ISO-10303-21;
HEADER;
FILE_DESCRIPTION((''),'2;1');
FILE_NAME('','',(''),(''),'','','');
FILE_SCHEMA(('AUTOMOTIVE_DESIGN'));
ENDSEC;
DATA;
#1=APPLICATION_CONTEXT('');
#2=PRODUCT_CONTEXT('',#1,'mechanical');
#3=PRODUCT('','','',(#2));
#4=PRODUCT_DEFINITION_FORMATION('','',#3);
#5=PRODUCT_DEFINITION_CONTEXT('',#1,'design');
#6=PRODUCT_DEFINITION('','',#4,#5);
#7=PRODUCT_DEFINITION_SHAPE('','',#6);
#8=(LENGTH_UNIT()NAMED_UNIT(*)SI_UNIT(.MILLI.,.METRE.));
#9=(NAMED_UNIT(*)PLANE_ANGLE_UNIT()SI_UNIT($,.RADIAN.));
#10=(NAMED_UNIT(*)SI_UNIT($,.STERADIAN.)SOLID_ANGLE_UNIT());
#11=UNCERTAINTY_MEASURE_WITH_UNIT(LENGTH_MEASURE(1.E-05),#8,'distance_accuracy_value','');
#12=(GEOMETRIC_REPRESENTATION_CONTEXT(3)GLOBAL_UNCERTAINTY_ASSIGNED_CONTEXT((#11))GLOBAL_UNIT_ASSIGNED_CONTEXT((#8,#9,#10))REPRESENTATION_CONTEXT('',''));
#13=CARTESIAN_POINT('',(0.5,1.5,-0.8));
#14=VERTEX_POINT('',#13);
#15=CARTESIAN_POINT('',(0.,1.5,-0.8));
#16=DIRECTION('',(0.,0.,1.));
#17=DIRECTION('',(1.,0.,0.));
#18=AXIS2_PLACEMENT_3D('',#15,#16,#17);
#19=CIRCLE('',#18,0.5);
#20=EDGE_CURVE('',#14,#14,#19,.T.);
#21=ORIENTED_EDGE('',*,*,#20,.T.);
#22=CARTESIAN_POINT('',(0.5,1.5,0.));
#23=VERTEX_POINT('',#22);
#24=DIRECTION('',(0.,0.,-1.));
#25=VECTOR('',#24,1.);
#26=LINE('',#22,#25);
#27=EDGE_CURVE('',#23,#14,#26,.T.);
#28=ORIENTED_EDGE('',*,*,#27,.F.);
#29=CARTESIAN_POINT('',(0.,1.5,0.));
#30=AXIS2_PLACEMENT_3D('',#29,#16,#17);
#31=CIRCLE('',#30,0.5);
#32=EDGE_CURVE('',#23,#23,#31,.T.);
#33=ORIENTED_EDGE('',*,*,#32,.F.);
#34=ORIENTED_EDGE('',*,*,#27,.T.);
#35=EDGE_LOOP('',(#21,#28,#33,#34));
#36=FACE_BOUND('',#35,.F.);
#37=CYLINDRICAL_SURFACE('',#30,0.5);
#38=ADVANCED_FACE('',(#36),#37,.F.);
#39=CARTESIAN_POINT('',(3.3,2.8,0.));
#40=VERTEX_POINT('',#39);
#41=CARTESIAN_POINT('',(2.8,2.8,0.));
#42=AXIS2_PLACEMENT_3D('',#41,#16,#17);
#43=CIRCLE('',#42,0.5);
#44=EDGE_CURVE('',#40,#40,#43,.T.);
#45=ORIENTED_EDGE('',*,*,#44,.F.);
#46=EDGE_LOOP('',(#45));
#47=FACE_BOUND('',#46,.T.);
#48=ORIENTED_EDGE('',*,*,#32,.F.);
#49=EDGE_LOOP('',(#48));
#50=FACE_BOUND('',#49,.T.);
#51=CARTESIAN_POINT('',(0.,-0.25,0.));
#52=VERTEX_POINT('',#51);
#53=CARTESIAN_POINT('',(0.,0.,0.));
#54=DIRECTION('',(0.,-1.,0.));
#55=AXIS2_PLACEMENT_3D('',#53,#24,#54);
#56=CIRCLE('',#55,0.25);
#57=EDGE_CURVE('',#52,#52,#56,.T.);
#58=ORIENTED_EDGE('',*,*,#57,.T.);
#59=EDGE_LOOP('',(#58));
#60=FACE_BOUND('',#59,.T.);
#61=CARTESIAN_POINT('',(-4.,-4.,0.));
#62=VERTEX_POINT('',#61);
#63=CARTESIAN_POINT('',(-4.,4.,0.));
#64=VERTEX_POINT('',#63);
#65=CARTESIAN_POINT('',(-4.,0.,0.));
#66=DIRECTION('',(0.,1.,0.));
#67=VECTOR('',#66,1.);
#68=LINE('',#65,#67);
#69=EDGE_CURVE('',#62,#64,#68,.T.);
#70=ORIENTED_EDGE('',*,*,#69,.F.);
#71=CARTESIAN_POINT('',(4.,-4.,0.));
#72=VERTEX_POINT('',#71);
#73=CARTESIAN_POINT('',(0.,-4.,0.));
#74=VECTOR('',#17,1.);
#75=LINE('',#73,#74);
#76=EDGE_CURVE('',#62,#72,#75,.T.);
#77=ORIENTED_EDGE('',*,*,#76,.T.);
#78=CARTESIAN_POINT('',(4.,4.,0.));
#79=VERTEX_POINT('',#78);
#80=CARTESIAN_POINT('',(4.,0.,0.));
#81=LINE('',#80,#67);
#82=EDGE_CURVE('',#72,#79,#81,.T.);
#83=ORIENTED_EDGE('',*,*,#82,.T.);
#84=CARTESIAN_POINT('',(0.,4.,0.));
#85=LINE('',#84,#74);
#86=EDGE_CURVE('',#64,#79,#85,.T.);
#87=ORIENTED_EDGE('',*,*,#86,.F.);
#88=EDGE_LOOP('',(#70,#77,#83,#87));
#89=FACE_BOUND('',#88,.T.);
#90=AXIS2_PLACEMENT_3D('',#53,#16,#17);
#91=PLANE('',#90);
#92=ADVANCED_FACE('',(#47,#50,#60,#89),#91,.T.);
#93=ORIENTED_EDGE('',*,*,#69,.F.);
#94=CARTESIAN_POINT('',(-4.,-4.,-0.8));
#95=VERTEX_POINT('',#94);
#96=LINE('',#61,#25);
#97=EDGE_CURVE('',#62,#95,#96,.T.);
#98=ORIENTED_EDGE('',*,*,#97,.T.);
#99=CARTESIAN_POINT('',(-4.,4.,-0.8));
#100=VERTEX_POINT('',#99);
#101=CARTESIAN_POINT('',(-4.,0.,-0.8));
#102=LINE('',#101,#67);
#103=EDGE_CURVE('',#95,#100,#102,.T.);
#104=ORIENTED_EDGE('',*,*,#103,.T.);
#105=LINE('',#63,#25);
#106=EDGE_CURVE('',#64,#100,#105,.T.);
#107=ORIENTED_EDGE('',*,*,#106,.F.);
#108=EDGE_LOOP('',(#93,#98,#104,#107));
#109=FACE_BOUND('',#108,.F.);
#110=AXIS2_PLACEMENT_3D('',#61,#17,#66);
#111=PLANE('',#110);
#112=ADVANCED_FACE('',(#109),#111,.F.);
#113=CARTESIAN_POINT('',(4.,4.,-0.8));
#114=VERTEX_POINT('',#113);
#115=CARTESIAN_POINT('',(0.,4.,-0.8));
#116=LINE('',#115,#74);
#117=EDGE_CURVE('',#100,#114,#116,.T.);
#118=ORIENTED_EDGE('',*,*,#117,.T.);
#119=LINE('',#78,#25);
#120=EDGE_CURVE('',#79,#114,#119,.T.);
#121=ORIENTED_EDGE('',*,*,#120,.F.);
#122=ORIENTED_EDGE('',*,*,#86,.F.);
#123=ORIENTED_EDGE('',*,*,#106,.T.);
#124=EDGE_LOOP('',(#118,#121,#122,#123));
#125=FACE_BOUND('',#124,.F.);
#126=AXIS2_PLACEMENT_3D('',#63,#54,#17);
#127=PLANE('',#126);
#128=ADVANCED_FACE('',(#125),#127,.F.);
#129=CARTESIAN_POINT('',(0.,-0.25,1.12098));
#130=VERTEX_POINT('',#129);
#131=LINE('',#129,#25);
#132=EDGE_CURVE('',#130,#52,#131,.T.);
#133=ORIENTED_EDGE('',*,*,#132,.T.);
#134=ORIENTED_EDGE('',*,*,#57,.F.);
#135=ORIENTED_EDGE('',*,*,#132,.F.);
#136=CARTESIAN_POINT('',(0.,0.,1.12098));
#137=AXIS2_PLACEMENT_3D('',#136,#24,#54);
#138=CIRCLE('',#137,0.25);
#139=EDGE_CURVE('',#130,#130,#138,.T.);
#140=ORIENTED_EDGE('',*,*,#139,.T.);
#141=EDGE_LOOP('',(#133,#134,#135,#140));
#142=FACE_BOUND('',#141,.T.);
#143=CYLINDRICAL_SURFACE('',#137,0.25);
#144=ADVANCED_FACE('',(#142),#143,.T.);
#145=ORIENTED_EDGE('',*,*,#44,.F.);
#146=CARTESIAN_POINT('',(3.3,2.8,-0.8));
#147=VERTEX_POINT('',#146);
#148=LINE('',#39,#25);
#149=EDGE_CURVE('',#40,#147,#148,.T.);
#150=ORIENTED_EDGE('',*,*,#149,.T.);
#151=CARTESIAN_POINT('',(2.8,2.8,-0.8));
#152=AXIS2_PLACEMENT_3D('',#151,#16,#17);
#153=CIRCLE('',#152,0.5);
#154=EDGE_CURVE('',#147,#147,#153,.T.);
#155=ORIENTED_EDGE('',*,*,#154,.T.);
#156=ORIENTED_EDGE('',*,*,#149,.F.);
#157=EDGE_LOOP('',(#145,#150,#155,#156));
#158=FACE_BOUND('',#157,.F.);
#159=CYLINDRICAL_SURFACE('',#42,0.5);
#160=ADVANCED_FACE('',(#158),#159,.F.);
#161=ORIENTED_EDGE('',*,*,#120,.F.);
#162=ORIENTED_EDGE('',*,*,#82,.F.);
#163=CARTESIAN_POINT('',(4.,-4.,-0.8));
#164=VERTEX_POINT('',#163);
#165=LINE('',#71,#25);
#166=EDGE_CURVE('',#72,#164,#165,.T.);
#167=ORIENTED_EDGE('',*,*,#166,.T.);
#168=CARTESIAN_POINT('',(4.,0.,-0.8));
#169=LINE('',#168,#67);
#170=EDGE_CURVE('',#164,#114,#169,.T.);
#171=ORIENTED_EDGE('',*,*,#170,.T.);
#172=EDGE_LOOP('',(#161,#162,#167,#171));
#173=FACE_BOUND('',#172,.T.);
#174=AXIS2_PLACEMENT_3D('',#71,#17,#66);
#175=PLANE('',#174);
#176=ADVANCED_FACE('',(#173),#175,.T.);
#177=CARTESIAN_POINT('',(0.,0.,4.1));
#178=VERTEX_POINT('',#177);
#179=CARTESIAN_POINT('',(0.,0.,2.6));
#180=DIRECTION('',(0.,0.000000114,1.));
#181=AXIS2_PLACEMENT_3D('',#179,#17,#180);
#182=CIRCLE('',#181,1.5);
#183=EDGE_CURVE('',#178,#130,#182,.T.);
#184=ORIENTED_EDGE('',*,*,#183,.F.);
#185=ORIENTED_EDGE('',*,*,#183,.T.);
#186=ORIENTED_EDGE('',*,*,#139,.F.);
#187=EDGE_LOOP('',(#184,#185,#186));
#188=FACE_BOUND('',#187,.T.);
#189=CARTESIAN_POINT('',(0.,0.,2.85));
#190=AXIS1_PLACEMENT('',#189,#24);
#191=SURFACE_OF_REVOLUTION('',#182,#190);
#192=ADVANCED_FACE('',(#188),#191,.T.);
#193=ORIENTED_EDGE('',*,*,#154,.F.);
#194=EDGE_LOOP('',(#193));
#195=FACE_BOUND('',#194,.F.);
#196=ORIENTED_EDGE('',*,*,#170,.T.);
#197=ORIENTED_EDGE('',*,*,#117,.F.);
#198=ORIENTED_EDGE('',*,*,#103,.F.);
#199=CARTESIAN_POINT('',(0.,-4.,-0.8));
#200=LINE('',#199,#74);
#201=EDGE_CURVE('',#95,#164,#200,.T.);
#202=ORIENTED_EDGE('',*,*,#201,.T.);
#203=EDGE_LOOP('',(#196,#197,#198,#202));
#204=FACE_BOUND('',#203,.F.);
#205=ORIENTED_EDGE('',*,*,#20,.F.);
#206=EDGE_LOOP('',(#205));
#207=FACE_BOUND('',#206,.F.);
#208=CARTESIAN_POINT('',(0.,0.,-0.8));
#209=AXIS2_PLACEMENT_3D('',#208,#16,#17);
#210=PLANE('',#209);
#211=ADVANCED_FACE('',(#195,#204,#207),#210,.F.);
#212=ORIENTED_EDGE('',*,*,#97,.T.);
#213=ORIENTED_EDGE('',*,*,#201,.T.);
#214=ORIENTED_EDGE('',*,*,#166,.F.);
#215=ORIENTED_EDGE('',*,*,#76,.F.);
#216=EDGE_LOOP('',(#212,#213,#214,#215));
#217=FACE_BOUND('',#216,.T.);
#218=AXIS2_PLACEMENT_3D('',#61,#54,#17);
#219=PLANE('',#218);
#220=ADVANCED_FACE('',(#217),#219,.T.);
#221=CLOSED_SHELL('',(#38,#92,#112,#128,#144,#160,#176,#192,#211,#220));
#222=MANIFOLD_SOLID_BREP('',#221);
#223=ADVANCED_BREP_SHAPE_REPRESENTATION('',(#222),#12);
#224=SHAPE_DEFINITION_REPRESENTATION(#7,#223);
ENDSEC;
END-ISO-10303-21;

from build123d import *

# Parameters (mm, degrees)
F2_W     = 8
F2_H     = 8
F2_R     = 0.5
F3_DEPTH = 0.8


with BuildPart() as f1:
    # F0 (on Right) → F1 (revolve)
    with BuildSketch(Plane.YZ):
        with BuildLine():
            Line((-0.25, 1.12098), (-0.25, 0))
            Line((-0.25, 0), (0, 0))
            Line((0, 0), (0, 1.1))
            ThreePointArc((0, 1.1), (-0.125439, 1.105254), (-0.25, 1.12098))
        make_face()
        with BuildLine():
            ThreePointArc((0, 4.1), (-1.494746, 2.725439), (-0.25, 1.12098))
            ThreePointArc((-0.25, 1.12098), (-0.125439, 1.105254), (0, 1.1))
            Line((0, 1.1), (0, 1.6))
            Line((0, 1.6), (0, 4.1))
        make_face()
    revolve(axis=Axis((0, 0, 2.85), (0, 0, -1)))

    # F2 (on Top) → F3 (join)
    with BuildSketch(Plane.XY):
        Rectangle(F2_W, F2_H)
        with Locations((0, 1.5)):
            Circle(F2_R, mode=Mode.SUBTRACT)
        with Locations((2.8, 2.8)):
            Circle(F2_R, mode=Mode.SUBTRACT)
    extrude(amount=-F3_DEPTH)


solid = f1.part
